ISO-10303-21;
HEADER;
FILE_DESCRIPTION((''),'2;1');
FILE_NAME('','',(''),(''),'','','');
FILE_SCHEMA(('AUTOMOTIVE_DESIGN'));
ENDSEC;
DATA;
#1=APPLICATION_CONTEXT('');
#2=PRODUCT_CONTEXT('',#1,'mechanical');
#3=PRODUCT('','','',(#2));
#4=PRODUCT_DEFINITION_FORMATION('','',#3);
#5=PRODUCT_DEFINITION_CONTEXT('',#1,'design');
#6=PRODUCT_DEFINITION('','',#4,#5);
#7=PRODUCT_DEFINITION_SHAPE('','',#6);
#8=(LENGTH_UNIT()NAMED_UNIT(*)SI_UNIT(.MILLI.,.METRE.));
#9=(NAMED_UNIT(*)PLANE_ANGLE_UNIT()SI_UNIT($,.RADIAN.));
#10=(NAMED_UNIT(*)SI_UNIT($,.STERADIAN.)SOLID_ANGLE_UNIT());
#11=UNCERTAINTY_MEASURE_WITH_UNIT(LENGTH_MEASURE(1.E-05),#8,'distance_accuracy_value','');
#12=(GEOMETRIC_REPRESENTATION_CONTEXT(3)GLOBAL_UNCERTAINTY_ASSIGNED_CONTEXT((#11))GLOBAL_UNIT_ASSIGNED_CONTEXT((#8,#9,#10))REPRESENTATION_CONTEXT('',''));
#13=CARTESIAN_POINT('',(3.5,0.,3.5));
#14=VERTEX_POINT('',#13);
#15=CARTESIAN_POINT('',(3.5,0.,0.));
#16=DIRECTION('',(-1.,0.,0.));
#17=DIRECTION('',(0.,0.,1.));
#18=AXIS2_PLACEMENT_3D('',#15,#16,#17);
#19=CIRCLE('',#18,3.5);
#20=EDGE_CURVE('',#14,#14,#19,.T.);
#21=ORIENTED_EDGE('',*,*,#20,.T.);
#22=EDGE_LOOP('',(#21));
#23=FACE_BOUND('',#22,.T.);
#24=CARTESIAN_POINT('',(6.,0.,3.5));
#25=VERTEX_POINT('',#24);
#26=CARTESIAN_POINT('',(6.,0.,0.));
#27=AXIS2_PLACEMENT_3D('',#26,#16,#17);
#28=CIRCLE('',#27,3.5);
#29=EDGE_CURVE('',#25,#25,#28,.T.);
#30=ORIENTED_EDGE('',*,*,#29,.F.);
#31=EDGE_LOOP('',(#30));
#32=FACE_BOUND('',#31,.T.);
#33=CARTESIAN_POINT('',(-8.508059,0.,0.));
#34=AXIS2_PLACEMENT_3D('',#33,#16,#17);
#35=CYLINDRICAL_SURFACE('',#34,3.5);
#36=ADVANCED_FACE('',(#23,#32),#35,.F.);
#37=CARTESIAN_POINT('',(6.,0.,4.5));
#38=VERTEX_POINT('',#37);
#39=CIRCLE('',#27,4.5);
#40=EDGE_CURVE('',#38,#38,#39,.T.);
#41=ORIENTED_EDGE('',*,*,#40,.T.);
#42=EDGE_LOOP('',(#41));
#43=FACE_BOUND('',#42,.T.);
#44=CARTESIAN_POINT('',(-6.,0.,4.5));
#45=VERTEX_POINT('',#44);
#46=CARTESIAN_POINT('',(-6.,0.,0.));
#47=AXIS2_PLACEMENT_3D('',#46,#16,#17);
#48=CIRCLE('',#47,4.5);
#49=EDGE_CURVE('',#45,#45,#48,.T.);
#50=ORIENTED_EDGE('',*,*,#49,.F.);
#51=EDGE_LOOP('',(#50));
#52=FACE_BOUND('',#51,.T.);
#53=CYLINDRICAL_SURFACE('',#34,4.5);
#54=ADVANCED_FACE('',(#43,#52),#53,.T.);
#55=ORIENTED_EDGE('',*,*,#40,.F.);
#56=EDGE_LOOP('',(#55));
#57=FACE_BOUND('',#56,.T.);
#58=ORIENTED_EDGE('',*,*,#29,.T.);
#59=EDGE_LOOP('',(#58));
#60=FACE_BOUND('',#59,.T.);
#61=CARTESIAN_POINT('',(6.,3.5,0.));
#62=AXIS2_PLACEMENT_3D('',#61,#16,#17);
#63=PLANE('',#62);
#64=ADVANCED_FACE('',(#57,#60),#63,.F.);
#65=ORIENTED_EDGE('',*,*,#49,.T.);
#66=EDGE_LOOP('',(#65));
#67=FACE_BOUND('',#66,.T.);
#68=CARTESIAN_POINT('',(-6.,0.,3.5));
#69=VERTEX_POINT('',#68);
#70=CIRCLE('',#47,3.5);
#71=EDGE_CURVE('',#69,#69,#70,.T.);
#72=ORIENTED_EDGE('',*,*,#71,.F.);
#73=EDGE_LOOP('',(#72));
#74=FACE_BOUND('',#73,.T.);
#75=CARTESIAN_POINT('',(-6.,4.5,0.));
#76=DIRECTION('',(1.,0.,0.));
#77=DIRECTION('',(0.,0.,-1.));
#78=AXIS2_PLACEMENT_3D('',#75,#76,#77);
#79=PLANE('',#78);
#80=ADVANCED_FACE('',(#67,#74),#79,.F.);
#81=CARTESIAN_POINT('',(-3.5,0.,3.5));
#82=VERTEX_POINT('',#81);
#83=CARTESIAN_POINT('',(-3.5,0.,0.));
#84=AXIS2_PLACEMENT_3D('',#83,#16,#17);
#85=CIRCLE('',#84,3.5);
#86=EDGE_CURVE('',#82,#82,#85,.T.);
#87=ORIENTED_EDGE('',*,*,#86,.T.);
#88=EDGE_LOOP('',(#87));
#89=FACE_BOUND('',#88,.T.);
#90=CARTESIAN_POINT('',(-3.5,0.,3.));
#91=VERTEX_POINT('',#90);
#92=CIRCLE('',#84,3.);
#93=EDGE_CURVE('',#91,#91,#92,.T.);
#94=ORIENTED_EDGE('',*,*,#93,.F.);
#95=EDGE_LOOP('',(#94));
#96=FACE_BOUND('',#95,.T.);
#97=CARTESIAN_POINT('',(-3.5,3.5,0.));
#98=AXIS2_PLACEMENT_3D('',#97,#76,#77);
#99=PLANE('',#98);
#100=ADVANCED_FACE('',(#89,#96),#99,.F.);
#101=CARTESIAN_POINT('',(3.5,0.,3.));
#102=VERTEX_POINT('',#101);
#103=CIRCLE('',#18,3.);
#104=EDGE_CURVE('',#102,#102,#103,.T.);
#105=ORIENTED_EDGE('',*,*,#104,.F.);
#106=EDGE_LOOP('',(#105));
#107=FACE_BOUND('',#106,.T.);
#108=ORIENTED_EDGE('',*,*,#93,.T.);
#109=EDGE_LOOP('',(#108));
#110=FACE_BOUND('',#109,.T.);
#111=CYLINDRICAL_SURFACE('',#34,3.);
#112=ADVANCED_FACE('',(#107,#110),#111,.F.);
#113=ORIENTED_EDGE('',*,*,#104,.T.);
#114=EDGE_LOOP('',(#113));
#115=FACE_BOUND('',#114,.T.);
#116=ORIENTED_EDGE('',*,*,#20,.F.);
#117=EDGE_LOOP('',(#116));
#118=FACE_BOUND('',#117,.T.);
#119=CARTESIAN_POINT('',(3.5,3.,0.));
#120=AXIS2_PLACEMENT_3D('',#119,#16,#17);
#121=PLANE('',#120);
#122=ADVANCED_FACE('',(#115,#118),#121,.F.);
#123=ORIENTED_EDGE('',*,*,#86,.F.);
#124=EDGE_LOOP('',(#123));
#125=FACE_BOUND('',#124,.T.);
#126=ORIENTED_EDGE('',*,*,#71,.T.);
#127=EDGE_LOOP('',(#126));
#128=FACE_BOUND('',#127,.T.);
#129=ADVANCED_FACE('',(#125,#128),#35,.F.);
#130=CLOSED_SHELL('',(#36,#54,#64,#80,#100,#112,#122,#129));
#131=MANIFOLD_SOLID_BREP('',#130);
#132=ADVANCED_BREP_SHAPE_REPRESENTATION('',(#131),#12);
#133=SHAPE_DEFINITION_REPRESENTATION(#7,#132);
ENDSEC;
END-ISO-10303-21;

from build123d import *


with BuildPart() as part:
    # Skizze1 → Rotation1 (revolve)
    with BuildSketch(Plane.XY):
        Polygon((-6, 4.5), (-6, 3.5), (-3.5, 3.5), (-3.5, 3), (3.5, 3), (3.5, 3.5), (6, 3.5), (6, 4.5), align=None)
    revolve(axis=Axis((-8.508059036, 0, 0), (1, 0, 0)))


solid = part.part
